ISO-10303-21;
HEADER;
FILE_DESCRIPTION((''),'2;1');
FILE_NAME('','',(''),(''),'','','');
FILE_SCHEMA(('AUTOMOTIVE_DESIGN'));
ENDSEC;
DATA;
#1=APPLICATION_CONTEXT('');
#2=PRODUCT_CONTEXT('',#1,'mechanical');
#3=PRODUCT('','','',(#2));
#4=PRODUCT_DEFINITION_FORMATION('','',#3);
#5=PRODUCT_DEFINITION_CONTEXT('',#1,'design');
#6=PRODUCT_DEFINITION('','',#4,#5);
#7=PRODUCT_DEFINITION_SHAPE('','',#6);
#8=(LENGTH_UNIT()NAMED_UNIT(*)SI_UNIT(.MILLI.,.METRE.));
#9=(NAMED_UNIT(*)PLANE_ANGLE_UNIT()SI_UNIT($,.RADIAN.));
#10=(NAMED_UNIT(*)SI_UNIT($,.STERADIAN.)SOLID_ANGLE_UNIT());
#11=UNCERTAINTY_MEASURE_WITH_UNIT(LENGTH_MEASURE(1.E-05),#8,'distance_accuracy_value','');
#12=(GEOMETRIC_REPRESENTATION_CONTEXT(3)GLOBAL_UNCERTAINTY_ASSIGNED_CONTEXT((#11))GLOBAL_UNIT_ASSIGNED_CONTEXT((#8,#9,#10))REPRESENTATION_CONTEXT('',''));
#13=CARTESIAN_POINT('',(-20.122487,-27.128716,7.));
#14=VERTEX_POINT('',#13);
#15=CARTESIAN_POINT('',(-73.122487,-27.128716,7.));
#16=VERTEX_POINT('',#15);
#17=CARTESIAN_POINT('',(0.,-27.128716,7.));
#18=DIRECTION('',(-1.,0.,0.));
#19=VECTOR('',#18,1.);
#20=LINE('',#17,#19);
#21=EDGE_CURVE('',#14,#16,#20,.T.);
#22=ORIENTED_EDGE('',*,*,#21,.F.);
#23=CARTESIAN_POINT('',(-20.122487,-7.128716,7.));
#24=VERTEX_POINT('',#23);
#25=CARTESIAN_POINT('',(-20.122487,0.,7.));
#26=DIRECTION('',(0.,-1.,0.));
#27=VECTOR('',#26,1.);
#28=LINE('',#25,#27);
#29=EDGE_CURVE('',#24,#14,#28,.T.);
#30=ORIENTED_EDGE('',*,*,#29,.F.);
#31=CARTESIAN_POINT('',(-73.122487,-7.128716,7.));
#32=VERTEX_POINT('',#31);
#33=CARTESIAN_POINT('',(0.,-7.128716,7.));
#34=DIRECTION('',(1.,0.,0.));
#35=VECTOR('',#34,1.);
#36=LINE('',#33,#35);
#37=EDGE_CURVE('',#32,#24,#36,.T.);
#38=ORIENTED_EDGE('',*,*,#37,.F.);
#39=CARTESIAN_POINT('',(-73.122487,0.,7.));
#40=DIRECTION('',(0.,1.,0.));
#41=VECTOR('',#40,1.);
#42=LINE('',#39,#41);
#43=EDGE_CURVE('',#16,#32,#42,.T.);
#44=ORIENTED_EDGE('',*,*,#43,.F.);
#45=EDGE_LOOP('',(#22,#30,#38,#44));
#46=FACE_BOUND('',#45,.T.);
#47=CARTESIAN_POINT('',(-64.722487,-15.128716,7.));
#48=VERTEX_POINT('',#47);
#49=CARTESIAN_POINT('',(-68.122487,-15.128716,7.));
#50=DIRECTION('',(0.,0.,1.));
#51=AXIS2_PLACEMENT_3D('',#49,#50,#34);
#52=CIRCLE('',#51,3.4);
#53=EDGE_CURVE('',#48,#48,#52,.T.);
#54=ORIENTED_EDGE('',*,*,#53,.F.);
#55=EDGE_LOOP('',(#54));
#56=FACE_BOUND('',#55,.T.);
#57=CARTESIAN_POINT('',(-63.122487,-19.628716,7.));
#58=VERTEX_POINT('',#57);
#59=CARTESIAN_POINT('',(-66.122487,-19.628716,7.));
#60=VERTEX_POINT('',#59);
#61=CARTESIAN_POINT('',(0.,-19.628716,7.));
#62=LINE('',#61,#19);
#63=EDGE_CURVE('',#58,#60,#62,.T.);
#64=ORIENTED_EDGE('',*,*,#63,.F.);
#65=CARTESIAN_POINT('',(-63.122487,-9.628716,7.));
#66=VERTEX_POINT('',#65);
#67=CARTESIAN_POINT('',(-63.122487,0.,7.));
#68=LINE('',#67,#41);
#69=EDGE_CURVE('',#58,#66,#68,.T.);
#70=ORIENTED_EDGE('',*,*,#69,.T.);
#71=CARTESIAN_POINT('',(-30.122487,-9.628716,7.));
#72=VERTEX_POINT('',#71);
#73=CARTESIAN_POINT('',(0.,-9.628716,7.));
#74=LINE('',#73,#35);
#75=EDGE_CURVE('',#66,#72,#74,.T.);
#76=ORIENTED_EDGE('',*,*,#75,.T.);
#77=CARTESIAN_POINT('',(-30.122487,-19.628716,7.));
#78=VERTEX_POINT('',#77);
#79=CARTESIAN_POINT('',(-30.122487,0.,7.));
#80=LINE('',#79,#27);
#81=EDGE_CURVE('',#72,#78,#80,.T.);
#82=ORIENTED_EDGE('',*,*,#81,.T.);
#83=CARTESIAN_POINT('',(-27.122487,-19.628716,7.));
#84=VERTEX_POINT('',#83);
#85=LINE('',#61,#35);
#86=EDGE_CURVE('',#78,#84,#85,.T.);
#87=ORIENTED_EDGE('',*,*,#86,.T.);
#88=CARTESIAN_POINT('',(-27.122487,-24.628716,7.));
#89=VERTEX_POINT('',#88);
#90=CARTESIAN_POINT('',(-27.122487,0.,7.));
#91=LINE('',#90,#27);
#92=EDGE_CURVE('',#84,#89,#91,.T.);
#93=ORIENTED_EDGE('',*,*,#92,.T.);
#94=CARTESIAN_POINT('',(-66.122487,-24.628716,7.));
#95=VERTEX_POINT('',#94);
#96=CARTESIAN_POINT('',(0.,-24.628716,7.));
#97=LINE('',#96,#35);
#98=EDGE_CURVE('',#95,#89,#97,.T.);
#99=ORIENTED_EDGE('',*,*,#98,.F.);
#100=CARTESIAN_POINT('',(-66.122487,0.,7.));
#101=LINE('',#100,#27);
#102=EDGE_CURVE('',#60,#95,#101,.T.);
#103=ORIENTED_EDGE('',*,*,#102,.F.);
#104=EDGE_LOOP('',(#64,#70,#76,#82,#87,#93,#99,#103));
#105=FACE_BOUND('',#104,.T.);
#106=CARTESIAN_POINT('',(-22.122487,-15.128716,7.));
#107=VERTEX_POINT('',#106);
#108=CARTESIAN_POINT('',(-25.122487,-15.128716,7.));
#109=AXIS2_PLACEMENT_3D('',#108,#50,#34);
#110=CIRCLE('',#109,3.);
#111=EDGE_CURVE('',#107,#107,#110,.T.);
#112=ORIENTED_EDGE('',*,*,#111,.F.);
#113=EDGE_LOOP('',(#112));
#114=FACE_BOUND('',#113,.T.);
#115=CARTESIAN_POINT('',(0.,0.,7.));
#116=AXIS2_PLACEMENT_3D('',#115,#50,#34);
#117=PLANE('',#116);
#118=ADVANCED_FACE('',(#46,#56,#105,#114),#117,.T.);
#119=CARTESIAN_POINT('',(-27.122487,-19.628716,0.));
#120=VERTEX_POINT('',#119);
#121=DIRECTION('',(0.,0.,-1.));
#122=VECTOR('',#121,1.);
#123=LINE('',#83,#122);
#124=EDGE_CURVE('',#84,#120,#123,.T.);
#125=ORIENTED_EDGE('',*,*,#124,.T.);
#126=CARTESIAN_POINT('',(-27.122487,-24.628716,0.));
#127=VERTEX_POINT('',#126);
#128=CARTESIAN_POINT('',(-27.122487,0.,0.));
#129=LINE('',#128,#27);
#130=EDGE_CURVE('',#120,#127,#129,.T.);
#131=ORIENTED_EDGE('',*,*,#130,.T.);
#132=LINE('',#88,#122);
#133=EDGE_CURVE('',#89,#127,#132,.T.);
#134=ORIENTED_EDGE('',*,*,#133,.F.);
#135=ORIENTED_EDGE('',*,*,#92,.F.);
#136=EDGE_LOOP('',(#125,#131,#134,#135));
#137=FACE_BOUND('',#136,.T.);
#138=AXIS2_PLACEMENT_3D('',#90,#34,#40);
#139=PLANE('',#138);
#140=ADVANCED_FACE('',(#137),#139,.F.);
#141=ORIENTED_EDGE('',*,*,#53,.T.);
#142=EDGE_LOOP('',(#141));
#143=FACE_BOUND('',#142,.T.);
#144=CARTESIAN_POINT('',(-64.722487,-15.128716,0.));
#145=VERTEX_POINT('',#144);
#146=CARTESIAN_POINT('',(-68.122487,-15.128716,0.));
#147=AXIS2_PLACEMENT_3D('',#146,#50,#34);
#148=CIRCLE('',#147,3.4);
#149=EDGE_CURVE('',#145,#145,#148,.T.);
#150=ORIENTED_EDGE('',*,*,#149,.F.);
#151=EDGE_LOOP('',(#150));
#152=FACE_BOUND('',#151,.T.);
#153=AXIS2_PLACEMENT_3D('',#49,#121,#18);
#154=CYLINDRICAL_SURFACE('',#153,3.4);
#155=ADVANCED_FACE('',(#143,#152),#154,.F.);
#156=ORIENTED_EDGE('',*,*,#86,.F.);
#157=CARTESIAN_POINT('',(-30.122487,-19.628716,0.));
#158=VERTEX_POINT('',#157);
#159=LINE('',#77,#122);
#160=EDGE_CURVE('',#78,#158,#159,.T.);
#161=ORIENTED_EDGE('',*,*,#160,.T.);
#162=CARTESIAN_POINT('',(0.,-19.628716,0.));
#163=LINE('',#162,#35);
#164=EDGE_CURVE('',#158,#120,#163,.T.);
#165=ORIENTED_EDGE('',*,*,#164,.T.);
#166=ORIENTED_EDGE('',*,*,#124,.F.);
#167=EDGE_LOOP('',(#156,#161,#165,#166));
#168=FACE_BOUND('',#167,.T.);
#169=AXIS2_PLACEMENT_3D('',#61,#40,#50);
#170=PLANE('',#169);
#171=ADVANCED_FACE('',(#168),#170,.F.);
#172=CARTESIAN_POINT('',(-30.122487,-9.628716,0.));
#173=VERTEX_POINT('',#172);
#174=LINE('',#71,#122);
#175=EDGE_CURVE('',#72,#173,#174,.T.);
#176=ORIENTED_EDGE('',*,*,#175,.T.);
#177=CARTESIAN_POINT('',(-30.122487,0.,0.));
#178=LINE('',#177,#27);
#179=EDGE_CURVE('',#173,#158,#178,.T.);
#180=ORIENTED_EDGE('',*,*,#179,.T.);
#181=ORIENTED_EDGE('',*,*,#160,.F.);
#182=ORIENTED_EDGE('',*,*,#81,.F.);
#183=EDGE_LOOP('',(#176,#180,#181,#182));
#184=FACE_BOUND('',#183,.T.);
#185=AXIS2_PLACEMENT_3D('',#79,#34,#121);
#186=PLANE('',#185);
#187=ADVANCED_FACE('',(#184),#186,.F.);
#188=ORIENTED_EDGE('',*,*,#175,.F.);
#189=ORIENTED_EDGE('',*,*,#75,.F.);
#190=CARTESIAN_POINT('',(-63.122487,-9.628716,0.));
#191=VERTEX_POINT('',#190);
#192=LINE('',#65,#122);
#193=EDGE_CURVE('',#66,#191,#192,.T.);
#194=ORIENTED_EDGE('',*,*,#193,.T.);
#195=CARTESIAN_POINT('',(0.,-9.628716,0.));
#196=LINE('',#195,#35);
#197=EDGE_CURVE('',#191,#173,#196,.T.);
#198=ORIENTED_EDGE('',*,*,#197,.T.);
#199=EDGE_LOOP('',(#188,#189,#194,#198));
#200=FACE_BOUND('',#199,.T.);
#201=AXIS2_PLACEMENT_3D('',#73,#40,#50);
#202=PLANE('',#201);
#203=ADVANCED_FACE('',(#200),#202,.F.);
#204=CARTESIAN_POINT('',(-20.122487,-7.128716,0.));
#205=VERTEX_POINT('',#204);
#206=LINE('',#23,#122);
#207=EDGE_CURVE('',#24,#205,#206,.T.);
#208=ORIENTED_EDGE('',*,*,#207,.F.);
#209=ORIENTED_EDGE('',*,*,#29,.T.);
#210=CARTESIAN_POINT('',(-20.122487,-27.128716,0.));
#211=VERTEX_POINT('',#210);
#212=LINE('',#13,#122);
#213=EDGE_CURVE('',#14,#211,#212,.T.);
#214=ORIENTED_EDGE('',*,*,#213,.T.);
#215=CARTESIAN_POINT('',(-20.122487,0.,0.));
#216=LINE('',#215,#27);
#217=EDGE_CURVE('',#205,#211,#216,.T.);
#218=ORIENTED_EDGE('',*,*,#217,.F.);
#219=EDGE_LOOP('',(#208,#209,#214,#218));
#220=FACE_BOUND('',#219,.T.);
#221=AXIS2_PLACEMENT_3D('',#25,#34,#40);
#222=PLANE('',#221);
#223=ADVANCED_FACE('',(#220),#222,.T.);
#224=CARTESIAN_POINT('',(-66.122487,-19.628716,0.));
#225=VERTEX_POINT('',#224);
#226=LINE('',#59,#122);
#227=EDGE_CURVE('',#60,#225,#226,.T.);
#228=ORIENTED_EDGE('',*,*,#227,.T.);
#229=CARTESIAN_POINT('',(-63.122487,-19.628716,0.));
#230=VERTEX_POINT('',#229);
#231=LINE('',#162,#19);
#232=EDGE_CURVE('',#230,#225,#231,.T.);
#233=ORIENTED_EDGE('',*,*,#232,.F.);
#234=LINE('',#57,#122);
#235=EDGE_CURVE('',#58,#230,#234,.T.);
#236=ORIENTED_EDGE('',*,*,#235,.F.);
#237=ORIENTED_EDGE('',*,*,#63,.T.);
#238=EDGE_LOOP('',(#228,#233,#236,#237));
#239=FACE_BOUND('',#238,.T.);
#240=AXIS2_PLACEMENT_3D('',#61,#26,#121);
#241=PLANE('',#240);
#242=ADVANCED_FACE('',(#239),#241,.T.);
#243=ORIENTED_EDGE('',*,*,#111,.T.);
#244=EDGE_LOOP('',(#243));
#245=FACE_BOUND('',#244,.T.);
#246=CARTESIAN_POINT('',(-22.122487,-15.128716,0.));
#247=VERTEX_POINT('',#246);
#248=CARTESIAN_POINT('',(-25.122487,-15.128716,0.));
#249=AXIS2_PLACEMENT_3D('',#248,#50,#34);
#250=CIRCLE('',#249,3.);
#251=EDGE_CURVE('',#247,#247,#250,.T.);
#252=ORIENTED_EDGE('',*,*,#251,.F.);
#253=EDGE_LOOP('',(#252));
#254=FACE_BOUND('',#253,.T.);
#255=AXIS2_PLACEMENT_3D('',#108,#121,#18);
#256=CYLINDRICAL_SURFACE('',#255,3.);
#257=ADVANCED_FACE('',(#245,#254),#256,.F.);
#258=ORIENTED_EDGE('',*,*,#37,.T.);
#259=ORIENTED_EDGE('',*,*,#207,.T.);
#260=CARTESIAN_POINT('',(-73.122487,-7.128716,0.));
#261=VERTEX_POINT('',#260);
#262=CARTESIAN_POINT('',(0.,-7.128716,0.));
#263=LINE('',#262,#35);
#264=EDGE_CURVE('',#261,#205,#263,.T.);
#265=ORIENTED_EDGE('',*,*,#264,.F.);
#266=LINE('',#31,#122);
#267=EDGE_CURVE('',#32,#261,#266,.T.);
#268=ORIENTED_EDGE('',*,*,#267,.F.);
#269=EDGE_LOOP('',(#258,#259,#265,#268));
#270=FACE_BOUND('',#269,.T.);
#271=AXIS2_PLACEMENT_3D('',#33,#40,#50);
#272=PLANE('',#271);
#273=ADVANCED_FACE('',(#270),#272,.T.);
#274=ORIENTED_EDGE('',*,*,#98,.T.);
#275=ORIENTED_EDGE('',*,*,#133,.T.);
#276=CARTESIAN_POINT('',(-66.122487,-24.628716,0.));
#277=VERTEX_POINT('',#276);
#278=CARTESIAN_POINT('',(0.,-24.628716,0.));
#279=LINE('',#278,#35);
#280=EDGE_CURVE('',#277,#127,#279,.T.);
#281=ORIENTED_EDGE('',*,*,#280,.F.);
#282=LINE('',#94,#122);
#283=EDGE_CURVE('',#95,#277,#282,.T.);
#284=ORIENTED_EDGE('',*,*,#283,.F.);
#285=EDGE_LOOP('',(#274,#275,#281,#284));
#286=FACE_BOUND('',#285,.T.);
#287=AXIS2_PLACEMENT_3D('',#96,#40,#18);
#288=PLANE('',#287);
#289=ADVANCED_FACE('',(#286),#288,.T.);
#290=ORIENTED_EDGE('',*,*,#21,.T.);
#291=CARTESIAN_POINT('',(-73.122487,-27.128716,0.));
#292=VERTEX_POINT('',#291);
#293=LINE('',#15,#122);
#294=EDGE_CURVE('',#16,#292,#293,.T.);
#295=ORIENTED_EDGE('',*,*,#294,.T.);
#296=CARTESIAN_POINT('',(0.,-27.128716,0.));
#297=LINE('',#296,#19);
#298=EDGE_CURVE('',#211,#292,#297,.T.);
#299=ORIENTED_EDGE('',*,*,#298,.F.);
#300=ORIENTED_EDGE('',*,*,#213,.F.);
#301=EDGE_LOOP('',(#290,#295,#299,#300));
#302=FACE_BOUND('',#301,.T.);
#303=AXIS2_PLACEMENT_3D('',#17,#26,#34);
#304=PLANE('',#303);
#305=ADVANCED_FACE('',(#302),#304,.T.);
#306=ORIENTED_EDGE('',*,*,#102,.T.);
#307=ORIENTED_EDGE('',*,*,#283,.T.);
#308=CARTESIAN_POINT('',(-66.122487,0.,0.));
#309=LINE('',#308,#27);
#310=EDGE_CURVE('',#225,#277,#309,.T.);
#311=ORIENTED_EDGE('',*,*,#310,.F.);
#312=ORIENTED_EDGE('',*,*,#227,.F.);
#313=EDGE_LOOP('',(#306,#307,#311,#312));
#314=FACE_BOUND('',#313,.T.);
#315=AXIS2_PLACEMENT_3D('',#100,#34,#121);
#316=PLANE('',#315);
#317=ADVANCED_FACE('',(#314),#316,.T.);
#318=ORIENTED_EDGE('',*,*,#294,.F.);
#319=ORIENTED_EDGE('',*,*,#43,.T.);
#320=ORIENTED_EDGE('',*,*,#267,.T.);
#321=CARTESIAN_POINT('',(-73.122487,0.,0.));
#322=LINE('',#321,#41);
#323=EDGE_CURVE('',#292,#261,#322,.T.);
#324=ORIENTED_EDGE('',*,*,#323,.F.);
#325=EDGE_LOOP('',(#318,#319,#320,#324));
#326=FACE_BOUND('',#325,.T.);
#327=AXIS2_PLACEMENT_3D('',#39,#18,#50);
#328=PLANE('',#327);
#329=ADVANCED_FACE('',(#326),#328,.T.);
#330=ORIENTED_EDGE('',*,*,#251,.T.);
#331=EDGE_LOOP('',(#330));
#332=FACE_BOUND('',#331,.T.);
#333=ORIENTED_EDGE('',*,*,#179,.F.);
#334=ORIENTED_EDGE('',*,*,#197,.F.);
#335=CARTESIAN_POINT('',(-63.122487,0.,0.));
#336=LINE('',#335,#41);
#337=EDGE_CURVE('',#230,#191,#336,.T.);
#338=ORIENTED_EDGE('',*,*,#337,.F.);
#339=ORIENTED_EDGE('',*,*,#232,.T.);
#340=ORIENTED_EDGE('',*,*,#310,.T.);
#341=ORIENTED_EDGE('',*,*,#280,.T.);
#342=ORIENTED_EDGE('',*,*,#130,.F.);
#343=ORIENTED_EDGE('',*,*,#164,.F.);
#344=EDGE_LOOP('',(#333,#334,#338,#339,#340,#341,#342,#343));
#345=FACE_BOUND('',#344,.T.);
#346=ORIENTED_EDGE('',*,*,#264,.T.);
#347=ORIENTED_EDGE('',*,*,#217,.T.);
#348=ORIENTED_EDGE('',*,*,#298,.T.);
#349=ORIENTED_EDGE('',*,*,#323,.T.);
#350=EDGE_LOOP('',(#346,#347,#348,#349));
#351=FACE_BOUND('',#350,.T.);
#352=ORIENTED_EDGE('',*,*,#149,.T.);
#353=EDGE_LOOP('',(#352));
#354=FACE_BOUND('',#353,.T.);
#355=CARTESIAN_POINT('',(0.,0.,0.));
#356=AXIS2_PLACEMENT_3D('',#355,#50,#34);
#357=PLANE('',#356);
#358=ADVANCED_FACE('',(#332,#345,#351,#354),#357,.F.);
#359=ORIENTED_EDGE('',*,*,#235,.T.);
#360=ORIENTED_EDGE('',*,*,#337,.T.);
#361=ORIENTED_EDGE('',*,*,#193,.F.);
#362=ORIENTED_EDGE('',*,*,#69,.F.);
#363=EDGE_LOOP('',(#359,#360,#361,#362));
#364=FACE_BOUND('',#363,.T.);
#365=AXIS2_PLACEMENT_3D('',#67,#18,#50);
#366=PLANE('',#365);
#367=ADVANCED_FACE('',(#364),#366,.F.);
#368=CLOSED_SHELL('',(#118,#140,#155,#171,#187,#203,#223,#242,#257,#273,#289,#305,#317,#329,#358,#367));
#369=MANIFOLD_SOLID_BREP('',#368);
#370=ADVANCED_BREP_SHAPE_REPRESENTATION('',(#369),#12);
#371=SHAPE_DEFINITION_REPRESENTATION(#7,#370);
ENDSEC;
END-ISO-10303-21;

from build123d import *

# Parameters (mm, degrees)
SKETCH1_W           = 53
SKETCH1_H           = 20
SKETCH1_R           = 3.4
SKETCH1_R_2         = 3
BOSS_EXTRUDE2_DEPTH = 7


with BuildPart() as part:
    # Sketch1 → Boss-Extrude2 (new body)
    with BuildSketch(Plane.XY):
        with Locations((-46.622487041, -17.128716042)):
            Rectangle(SKETCH1_W, SKETCH1_H)
        with Locations((-68.122487041, -15.128716042)):
            Circle(SKETCH1_R, mode=Mode.SUBTRACT)
        Polygon((-63.122487041, -19.628716042), (-63.122487041, -9.628716042), (-30.122487041, -9.628716042), (-30.122487041, -19.628716042), (-27.122487041, -19.628716042), (-27.122487041, -24.628716042), (-30.122487041, -24.628716042), (-63.122487041, -24.628716042), (-66.122487041, -24.628716042), (-66.122487041, -19.628716042), align=None, mode=Mode.SUBTRACT)
        with Locations((-25.122487041, -15.128716042)):
            Circle(SKETCH1_R_2, mode=Mode.SUBTRACT)
    extrude(amount=BOSS_EXTRUDE2_DEPTH)


solid = part.part
